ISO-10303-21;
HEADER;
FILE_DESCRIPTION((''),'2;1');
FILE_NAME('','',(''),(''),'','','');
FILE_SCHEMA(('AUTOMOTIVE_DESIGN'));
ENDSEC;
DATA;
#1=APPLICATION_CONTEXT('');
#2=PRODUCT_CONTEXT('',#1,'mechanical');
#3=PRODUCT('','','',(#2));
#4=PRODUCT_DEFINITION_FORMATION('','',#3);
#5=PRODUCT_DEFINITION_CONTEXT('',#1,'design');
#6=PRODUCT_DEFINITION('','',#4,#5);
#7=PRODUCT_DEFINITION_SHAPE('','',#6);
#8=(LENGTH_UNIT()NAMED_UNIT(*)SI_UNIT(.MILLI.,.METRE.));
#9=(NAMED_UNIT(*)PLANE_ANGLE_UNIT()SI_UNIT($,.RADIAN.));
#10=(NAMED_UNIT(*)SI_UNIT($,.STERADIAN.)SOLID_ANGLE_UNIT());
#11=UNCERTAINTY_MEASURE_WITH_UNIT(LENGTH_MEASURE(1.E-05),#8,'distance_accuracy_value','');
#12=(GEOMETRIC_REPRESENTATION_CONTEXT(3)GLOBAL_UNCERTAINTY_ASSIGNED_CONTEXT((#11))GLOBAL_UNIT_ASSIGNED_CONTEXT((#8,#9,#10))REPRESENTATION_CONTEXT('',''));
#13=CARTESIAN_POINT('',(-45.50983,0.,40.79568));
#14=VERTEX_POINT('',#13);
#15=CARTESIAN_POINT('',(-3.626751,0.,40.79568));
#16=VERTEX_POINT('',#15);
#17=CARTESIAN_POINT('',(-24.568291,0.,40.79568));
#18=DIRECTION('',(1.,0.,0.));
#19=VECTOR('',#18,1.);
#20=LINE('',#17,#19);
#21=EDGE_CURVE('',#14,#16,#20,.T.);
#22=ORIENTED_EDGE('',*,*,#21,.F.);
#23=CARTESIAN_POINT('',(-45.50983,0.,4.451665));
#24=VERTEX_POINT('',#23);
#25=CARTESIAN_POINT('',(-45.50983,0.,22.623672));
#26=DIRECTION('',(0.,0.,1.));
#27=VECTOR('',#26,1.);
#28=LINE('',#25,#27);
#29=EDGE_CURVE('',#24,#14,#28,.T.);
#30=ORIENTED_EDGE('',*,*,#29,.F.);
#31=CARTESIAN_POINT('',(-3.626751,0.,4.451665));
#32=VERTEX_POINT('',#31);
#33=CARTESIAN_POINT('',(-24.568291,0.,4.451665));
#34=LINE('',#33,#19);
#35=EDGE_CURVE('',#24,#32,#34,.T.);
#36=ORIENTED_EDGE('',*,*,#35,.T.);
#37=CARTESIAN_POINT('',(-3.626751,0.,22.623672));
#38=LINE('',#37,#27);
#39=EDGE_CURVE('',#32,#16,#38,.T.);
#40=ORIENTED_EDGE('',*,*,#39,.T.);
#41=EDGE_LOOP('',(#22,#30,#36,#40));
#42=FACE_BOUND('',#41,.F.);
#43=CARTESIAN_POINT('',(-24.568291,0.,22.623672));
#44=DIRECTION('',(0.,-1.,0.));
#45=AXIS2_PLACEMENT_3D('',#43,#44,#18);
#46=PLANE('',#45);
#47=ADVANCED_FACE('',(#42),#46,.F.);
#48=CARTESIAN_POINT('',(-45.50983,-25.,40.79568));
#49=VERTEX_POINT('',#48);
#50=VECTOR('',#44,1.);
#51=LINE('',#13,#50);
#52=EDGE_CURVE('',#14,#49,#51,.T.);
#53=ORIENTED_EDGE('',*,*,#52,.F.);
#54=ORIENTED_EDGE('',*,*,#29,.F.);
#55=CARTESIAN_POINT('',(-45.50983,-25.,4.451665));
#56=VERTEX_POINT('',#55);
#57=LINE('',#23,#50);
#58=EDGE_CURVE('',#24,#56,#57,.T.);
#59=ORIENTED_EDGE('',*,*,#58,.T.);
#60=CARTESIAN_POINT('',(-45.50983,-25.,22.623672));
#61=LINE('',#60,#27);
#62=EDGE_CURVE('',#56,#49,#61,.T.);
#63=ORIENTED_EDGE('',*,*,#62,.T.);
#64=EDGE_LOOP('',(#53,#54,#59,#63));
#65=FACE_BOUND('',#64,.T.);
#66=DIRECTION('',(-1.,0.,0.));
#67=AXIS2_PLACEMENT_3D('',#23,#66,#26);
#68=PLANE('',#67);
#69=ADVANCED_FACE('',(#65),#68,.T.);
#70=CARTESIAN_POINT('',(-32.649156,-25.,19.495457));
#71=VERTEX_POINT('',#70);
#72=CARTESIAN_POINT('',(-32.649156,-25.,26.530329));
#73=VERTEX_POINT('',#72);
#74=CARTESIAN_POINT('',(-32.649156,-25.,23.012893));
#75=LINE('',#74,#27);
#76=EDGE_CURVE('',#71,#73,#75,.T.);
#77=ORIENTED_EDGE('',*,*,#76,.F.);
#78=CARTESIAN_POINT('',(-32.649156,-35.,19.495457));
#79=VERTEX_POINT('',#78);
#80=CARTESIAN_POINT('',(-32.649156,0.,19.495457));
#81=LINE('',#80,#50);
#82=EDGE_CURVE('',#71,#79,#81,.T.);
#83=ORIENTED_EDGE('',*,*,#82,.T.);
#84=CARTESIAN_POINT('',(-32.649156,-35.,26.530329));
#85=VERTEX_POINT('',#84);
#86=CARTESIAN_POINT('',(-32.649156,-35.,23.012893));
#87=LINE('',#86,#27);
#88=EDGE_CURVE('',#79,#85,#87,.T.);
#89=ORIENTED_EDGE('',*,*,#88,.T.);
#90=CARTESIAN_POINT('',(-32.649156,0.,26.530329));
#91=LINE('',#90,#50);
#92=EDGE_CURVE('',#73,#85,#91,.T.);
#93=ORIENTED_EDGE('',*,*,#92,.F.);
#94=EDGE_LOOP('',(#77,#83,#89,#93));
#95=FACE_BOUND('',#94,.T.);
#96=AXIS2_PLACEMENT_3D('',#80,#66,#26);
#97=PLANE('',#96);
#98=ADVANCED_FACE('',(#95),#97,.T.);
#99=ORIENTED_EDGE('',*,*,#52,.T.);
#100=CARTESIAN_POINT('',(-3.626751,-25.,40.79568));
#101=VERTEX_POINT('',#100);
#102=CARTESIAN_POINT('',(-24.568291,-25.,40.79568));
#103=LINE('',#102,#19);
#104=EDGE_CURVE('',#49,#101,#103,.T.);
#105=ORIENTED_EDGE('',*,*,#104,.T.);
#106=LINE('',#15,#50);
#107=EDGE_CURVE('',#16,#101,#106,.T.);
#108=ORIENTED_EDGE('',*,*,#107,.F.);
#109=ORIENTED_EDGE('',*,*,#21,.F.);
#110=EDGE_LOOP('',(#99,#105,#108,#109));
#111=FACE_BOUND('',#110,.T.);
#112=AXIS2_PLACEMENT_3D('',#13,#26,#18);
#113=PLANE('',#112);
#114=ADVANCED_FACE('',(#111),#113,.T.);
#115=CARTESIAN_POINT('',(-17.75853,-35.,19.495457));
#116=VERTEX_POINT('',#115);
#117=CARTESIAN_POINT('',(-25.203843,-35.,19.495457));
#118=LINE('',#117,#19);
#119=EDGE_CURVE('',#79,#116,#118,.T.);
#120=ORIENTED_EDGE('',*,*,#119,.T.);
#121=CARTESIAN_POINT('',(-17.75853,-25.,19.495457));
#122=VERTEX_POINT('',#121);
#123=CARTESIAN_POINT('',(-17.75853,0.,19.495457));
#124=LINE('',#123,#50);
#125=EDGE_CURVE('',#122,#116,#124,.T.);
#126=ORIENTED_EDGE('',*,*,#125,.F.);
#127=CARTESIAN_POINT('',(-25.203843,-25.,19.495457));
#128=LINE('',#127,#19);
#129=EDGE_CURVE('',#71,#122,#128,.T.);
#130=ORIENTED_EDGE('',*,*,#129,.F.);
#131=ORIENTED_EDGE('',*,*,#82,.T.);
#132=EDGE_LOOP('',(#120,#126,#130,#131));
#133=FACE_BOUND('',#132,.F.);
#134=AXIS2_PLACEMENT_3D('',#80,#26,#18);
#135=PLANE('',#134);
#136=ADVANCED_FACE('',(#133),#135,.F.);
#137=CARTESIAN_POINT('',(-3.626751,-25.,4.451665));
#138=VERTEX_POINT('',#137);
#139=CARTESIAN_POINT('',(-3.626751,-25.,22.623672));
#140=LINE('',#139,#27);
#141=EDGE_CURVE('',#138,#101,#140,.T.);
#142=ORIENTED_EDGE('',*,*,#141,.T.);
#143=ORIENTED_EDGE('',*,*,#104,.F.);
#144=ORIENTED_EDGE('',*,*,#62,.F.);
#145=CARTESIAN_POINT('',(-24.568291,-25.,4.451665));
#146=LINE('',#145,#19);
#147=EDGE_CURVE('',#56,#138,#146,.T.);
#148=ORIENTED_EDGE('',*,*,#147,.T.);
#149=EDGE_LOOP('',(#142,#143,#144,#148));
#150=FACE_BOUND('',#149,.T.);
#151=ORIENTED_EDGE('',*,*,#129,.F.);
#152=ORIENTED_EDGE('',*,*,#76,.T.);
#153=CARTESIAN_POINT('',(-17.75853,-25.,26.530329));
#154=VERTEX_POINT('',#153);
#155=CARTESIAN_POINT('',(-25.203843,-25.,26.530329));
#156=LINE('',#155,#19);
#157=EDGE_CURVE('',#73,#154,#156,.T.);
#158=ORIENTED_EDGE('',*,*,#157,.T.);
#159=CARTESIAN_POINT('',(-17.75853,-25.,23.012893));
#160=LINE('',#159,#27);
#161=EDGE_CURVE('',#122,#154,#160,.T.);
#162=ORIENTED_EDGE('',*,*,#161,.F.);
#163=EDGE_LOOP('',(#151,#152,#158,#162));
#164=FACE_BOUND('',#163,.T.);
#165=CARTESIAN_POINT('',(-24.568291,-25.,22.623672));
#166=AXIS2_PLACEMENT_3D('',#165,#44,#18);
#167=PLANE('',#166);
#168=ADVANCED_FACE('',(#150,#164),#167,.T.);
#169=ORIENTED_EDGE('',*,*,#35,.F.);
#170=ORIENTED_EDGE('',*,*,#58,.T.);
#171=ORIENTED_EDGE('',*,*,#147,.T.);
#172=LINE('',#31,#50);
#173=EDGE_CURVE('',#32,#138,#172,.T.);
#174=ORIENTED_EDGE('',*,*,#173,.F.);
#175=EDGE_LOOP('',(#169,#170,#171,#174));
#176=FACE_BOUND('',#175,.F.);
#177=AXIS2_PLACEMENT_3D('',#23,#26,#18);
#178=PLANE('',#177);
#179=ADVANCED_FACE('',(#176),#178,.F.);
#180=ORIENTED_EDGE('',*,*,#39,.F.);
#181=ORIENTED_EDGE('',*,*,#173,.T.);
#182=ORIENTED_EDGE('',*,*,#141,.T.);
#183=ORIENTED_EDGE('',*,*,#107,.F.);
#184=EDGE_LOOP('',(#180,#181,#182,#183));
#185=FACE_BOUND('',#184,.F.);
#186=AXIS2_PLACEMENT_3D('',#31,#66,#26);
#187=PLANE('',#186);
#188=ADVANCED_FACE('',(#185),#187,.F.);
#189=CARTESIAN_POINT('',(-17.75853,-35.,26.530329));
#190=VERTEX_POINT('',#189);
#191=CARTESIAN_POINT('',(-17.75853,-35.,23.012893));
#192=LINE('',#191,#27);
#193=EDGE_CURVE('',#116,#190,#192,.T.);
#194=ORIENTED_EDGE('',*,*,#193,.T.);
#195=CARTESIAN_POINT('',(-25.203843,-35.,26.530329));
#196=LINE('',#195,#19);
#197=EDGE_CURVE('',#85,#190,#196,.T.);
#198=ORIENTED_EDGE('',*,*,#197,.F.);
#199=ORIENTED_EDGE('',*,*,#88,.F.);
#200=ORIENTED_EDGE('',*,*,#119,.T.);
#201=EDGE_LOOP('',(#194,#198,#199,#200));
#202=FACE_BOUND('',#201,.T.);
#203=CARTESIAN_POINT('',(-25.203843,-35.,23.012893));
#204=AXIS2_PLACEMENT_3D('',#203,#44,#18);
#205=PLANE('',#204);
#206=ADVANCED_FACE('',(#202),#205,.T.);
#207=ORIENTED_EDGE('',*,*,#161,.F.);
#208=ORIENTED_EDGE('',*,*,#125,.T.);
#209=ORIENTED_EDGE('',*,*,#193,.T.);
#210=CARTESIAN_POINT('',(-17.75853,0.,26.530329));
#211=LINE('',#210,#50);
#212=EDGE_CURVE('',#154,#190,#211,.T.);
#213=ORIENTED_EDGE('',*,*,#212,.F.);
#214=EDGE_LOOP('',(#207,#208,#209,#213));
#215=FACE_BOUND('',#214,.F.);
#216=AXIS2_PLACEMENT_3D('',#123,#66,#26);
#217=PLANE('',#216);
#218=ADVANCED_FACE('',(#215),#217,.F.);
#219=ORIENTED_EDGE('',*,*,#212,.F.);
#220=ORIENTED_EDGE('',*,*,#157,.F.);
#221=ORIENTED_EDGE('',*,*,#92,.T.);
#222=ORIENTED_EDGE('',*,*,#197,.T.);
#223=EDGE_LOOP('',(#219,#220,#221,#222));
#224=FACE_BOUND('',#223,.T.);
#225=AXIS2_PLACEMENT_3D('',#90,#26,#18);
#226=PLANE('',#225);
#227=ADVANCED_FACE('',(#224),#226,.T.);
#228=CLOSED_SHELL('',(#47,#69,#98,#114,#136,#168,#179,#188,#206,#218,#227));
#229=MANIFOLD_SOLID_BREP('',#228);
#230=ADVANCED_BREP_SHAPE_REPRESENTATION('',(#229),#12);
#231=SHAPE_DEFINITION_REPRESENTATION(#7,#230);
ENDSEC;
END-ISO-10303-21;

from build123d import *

# Parameters (mm, degrees)
F0_W     = 41.8830788694
F0_H     = 36.3440155052
F0_W_2   = 14.8906260729
F0_H_2   = 7.0348717272
F1_DEPTH = 25
F2_DEPTH = 35


with BuildPart() as f1:
    # F0 (on Front) → F1 (new body)
    with BuildSketch(Plane.XZ):
        with Locations((-24.5682906825, 22.6236723829)):
            Rectangle(F0_W, F0_H)
        with Locations((-25.2038426697, 23.0128932744)):
            Rectangle(F0_W_2, F0_H_2, mode=Mode.SUBTRACT)
    extrude(amount=F1_DEPTH)

    # F0 (on Front) → F2 (join, through all)
    with BuildSketch(Plane.XZ):
        with Locations((-25.2038426697, 23.0128932744)):
            Rectangle(F0_W_2, F0_H_2)
    extrude(amount=F2_DEPTH)


solid = f1.part
